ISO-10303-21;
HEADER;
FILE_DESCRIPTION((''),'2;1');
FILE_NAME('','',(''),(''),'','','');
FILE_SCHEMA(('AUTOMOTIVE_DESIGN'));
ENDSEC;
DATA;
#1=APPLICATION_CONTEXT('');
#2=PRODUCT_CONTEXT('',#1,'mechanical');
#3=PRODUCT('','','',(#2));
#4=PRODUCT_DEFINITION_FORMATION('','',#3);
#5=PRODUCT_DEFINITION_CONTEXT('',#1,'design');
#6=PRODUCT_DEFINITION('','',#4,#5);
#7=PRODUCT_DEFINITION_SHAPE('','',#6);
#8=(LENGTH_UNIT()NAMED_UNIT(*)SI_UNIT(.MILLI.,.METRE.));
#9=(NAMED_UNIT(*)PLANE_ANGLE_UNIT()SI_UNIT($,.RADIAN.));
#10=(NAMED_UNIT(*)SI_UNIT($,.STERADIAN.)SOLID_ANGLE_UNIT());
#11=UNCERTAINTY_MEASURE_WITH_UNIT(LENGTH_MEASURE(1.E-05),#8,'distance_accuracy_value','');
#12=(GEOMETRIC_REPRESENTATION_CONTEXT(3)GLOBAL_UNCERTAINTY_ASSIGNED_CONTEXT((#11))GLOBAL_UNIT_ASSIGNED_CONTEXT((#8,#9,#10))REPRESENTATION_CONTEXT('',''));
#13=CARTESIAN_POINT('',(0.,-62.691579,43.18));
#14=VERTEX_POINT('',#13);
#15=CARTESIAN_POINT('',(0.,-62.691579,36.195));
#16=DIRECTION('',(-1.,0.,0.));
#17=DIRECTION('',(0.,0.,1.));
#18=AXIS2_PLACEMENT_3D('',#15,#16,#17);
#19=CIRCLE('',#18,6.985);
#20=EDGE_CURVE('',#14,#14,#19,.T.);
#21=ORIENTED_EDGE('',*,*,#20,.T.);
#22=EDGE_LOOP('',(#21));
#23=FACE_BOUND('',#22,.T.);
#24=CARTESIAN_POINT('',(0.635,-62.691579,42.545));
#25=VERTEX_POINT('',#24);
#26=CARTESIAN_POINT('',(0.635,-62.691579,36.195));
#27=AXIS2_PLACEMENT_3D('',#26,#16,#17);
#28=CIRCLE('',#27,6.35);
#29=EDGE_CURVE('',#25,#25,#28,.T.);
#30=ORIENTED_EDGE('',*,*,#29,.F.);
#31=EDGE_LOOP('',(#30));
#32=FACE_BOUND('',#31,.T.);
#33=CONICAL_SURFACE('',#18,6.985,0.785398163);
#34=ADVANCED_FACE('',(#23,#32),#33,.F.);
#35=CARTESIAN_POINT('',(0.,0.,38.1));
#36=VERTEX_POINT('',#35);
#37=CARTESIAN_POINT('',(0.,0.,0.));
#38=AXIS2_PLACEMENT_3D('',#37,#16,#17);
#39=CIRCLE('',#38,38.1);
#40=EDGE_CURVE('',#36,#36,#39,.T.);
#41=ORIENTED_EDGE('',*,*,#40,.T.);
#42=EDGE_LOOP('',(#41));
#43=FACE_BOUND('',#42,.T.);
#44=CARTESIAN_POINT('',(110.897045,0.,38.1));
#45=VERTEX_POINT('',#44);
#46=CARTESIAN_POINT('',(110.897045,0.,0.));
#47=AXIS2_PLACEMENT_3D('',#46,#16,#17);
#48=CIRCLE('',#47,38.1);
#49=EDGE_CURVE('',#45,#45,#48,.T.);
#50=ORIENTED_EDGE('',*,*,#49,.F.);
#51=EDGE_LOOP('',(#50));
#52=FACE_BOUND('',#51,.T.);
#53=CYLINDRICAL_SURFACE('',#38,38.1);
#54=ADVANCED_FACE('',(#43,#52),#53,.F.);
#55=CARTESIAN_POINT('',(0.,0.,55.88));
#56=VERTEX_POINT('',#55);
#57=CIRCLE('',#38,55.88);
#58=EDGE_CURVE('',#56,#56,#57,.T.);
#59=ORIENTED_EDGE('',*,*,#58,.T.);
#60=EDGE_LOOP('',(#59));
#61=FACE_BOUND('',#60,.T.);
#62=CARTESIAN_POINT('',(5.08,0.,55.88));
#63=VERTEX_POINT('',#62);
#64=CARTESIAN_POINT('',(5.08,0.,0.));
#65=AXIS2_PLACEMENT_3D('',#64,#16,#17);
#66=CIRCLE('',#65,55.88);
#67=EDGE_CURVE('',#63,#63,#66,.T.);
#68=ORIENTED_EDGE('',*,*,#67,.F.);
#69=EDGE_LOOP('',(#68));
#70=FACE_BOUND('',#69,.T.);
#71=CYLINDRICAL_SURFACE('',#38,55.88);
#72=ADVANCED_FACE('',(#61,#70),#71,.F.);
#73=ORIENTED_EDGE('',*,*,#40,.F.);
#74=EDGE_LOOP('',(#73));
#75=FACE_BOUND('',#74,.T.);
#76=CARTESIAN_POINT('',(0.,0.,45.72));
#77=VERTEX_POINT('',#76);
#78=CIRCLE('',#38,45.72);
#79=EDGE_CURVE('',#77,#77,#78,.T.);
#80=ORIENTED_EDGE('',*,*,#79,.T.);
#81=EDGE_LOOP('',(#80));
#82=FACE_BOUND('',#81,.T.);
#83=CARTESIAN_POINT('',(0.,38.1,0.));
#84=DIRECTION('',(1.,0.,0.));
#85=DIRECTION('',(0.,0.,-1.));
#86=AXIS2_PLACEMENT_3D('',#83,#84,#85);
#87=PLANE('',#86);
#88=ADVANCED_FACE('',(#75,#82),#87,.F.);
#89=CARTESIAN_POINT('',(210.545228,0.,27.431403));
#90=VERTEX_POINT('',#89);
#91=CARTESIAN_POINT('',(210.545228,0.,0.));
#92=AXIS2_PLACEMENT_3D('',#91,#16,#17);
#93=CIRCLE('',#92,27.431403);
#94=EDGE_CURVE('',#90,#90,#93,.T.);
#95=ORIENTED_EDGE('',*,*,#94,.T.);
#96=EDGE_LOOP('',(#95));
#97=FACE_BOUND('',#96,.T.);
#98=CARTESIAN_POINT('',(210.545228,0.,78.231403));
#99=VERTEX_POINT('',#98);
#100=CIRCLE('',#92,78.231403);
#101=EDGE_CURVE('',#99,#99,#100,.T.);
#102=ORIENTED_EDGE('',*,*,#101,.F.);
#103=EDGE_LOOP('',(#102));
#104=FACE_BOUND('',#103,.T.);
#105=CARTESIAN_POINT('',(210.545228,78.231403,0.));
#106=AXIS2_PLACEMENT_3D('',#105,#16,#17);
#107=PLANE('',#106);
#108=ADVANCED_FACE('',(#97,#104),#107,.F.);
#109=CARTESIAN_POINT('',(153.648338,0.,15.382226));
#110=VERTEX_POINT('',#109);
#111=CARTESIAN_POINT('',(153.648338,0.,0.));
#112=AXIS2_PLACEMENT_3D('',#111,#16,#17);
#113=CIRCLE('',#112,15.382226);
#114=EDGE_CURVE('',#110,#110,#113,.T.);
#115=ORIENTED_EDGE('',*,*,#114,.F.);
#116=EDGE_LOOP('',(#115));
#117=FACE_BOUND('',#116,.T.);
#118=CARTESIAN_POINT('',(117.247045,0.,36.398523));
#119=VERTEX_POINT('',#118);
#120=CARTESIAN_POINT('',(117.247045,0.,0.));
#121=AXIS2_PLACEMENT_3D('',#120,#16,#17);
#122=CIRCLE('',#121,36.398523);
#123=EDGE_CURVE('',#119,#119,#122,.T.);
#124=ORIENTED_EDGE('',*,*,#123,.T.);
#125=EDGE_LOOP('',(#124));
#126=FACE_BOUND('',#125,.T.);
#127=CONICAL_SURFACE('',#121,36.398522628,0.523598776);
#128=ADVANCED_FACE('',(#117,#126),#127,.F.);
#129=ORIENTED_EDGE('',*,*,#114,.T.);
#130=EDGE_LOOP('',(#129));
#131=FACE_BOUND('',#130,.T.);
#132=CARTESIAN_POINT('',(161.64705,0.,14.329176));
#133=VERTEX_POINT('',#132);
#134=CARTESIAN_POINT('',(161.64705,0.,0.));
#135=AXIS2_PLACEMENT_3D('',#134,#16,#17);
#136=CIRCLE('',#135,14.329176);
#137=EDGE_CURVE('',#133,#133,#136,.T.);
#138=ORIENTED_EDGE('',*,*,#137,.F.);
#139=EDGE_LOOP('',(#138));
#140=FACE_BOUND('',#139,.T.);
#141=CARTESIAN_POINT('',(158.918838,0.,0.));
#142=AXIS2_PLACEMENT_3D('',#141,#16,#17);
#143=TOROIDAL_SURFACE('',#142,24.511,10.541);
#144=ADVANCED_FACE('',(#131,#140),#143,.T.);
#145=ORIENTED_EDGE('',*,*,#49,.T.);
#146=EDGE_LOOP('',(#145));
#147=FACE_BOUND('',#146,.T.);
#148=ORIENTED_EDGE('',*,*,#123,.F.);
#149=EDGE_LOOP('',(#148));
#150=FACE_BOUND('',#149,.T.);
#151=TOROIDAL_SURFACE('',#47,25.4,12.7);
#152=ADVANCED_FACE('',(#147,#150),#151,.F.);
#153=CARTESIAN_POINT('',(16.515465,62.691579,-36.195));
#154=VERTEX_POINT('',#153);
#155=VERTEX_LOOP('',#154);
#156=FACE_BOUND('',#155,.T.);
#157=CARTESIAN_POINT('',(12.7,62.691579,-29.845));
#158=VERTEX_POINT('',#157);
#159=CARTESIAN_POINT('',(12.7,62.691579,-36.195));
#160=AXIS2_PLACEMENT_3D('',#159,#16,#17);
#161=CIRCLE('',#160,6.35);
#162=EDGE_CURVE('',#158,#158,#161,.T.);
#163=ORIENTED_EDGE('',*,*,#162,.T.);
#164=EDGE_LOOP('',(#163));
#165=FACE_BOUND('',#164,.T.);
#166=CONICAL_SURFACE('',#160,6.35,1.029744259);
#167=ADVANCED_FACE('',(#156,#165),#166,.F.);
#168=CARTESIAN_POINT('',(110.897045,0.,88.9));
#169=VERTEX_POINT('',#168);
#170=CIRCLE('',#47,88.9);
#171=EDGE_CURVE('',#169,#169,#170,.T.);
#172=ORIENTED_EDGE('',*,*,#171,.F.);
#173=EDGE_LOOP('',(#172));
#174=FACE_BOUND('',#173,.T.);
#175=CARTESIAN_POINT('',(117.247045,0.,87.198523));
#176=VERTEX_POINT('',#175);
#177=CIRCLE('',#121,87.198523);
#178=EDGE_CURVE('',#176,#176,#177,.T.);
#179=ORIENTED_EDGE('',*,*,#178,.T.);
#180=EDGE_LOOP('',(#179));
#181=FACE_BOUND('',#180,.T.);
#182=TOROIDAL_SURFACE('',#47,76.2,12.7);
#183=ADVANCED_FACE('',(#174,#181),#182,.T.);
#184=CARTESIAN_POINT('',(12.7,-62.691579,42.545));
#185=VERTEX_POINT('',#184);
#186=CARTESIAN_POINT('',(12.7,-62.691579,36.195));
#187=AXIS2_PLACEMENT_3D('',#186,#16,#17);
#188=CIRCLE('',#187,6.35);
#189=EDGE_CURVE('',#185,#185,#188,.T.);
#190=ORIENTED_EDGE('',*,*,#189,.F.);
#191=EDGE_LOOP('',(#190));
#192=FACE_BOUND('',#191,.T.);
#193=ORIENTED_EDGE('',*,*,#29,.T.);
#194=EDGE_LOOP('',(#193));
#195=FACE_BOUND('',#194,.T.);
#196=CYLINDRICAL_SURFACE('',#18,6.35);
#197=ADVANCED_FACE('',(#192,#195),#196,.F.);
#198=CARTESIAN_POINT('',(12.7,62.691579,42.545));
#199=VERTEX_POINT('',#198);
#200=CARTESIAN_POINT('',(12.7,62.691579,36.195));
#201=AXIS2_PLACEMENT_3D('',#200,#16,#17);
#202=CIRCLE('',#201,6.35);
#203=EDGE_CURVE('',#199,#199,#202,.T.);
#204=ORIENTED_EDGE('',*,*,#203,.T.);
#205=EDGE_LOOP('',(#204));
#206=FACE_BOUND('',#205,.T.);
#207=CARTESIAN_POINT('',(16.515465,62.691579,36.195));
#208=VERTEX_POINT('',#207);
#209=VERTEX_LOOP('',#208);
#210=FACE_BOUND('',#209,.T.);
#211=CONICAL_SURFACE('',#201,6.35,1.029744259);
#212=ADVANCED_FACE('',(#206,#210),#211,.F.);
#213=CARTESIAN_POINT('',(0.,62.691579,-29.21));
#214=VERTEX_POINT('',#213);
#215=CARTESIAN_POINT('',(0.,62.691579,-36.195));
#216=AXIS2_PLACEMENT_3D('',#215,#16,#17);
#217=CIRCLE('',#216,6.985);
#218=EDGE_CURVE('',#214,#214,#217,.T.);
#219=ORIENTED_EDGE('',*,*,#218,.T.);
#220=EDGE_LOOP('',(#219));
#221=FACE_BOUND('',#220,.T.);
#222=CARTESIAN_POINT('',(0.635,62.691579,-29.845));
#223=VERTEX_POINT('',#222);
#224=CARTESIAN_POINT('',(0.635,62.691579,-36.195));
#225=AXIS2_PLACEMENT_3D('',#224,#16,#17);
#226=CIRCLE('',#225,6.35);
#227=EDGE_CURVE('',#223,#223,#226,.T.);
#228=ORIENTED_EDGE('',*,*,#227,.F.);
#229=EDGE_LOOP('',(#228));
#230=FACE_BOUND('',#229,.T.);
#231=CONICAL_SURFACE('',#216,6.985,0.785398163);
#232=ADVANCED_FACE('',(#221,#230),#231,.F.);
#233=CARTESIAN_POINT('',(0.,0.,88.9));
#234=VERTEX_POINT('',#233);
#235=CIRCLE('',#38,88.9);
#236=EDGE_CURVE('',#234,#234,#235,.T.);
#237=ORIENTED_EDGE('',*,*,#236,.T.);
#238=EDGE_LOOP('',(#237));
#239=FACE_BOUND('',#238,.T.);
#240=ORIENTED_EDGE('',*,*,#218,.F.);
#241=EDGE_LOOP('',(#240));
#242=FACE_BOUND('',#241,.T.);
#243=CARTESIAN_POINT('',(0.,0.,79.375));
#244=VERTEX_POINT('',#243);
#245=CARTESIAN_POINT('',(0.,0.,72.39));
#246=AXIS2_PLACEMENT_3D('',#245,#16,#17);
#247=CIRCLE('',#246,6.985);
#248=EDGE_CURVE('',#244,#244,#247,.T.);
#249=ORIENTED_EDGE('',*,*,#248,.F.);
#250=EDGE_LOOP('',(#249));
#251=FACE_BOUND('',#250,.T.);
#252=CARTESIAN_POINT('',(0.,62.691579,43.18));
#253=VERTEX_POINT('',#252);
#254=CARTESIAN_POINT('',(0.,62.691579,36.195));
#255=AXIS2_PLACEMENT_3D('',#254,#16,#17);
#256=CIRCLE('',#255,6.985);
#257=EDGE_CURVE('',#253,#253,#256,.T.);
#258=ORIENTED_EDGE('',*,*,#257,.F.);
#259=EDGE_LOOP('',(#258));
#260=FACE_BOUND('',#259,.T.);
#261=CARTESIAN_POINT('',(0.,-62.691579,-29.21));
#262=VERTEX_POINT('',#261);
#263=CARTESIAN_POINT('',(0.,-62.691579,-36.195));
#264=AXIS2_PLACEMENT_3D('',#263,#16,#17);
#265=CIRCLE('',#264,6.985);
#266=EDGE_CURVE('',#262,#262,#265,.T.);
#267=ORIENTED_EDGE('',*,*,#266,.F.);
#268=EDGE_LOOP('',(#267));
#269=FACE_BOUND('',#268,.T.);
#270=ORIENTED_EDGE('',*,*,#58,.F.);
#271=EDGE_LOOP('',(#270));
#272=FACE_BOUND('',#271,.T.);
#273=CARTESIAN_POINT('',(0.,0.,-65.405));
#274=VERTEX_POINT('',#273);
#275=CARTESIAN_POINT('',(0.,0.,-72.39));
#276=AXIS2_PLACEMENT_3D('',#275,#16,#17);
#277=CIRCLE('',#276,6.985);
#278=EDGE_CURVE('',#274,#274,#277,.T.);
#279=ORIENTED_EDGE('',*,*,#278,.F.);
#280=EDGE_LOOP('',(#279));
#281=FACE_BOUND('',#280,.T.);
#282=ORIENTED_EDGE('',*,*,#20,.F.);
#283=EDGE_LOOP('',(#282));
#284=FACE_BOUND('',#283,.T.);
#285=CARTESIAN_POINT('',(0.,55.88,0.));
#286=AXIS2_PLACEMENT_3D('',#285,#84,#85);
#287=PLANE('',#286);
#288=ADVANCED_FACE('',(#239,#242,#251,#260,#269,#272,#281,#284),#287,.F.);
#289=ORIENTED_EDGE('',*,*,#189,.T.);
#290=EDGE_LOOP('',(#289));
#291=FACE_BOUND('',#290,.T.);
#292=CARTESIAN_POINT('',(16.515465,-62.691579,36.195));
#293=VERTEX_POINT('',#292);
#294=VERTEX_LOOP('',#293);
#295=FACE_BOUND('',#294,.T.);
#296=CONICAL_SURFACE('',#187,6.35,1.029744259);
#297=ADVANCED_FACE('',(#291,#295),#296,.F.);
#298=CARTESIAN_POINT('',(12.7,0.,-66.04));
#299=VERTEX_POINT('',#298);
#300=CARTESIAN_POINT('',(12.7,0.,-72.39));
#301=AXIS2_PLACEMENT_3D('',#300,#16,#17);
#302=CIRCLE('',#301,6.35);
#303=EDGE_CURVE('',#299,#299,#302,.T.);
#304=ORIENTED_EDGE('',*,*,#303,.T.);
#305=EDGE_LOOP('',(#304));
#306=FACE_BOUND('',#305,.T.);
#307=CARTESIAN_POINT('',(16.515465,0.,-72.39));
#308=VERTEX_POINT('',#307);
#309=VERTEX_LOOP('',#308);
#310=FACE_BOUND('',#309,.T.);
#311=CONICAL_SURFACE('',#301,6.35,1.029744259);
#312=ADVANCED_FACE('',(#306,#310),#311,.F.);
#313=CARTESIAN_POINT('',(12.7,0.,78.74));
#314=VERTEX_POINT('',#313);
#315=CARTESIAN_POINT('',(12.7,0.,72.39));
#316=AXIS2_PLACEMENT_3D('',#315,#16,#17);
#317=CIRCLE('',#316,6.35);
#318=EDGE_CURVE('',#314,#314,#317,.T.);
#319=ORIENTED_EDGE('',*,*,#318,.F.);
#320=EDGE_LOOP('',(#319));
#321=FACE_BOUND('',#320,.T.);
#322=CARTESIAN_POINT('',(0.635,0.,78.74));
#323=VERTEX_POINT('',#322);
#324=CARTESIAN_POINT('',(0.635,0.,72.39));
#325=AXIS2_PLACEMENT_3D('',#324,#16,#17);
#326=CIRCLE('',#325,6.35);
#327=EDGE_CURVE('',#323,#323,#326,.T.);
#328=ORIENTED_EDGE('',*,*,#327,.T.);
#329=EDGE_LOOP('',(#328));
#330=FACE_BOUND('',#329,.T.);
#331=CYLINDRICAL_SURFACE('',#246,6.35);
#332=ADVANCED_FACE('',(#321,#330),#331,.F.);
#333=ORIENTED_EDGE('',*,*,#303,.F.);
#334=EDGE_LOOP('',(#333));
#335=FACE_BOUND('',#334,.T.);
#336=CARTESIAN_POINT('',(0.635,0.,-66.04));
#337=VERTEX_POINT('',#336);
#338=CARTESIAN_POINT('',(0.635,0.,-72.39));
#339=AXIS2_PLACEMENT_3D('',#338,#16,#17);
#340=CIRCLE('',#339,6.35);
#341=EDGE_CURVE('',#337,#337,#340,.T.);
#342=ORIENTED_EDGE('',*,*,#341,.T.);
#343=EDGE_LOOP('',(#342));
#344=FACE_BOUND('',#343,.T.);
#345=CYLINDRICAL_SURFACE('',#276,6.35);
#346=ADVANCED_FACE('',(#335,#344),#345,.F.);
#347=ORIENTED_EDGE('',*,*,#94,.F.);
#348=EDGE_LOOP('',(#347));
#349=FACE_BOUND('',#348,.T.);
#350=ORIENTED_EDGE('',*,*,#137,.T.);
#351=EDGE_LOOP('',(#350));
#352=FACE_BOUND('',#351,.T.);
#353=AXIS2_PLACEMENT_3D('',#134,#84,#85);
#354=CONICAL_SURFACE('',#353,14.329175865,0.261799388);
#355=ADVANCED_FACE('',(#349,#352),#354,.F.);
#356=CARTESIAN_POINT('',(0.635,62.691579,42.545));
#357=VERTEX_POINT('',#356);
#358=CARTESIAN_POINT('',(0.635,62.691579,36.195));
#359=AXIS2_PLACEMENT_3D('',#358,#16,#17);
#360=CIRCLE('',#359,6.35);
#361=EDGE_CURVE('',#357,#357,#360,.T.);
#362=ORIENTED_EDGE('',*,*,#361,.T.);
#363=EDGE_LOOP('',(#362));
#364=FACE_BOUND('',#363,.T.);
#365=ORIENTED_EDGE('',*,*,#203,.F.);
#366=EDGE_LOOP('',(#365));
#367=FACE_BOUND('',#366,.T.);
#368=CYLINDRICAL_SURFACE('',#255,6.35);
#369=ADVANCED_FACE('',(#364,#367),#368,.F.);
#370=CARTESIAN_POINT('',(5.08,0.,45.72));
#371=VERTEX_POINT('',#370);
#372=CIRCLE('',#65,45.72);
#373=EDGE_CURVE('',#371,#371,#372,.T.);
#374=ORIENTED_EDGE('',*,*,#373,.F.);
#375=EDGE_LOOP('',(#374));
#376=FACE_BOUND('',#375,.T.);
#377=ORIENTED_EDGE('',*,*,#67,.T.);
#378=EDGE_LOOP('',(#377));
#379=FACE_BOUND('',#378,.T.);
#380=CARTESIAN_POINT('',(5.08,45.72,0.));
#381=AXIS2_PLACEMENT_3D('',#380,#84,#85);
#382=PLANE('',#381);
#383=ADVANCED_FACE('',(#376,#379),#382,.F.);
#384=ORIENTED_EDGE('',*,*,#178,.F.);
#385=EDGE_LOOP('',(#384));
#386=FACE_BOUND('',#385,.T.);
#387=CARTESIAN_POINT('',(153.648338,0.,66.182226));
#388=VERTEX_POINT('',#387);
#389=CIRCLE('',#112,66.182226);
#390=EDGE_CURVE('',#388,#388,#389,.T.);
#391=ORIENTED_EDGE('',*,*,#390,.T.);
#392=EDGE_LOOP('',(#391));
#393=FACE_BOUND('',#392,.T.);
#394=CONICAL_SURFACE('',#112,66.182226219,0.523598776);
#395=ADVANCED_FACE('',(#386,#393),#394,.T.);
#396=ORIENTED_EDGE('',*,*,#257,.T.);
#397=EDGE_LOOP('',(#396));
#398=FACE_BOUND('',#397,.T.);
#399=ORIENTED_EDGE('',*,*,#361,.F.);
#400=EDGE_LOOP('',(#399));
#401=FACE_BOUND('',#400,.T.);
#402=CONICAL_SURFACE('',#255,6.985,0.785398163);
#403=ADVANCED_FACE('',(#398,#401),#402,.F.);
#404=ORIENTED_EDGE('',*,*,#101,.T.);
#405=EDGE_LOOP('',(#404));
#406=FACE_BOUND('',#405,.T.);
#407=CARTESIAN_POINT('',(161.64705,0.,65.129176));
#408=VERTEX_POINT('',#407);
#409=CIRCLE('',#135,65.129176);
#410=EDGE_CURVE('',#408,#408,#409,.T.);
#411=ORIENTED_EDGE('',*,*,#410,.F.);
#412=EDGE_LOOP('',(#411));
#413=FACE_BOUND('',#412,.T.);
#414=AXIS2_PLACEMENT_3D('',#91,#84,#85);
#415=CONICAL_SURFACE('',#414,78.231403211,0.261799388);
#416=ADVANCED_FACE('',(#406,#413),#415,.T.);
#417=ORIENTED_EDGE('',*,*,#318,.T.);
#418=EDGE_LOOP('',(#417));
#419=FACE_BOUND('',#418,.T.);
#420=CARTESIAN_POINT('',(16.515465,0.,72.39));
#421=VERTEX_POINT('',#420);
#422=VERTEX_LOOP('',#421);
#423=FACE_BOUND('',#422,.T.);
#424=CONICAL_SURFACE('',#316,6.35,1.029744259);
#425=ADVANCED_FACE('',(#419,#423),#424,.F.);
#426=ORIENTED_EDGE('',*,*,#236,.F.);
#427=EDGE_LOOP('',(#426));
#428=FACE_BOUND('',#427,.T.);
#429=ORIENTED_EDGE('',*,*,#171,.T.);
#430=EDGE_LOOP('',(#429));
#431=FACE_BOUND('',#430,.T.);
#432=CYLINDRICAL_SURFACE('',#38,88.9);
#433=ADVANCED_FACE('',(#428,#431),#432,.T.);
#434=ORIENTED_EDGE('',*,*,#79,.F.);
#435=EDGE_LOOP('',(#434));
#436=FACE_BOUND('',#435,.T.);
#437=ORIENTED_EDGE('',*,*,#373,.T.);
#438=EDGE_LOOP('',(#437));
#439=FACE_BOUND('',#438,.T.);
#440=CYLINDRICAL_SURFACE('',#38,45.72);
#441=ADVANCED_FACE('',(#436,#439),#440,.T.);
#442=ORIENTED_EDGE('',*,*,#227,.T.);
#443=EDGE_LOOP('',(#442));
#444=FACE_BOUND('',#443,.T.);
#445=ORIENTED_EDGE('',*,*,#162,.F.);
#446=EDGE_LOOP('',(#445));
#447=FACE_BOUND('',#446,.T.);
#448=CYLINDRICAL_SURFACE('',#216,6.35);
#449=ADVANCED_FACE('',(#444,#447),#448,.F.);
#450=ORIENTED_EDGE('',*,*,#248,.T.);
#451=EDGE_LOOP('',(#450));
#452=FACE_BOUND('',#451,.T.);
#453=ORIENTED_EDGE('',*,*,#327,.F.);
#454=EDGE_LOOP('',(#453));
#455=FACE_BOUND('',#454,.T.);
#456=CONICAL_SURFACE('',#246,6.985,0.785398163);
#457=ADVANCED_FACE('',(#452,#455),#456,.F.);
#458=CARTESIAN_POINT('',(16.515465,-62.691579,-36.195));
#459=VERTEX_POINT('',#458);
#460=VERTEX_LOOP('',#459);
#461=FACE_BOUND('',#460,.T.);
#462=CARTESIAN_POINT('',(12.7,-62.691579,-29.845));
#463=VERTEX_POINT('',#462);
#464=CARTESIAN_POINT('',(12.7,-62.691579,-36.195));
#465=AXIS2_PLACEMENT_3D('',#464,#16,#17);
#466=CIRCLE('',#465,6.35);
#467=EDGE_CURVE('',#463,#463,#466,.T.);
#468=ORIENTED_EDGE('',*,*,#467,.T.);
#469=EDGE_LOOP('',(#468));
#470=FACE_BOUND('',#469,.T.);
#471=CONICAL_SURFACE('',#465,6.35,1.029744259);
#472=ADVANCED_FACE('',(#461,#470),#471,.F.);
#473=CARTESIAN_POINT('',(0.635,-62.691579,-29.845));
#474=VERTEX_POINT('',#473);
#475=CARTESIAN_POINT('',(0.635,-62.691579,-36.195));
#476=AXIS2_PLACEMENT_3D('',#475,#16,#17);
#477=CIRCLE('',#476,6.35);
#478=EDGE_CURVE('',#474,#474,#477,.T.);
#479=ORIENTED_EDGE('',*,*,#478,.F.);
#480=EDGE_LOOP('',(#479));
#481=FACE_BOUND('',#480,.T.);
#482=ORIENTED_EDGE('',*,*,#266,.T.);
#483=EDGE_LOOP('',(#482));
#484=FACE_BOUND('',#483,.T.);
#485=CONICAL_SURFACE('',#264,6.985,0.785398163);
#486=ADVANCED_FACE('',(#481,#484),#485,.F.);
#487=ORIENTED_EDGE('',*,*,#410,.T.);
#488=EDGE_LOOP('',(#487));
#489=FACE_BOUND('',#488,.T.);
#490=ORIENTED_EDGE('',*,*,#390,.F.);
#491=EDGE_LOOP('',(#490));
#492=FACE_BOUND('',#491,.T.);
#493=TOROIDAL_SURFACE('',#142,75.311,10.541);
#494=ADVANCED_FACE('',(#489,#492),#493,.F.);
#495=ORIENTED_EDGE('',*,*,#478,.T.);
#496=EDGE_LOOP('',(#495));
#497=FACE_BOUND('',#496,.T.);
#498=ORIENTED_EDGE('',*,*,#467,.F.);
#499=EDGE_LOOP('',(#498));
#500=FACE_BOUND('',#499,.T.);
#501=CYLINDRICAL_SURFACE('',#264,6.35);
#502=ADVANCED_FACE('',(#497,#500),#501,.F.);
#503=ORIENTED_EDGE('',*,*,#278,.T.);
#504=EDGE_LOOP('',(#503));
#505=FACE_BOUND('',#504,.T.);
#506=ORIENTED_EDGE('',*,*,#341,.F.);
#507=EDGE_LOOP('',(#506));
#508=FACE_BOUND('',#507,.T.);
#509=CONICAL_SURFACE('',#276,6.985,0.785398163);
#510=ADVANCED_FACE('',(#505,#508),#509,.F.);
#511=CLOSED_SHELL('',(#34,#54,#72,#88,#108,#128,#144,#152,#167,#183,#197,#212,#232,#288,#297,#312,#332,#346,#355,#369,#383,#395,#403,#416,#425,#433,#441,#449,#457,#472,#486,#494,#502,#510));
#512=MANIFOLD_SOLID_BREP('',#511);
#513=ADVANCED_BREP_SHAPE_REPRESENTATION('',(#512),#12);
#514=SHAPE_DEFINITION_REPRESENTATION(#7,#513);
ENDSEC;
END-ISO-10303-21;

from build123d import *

# Parameters (mm, degrees)
CIRPATTERN1_COUNT = 6


with BuildPart() as part:
    # chamberNozzle → Revolve1 (revolve)
    with BuildSketch(Plane.XY, mode=Mode.PRIVATE) as revolve1_sk:
        with BuildLine():
            Line((0, 38.1), (110.897045256, 38.1))
            ThreePointArc((110.897045256, 38.1), (114.184047129, 37.667257994), (117.247045256, 36.398522628))
            Line((117.247045256, 36.398522628), (153.648338424, 15.382226219))
            ThreePointArc((153.648338424, 15.382226219), (157.542961832, 14.060179716), (161.647049978, 14.329175865))
            Line((161.647049978, 14.329175865), (210.545228126, 27.431403211))
            Line((210.545228126, 27.431403211), (210.545228126, 78.231403211))
            Line((210.545228126, 78.231403211), (161.647049978, 65.129175865))
            ThreePointArc((161.647049978, 65.129175865), (157.542961832, 64.860179716), (153.648338424, 66.182226219))
            Line((153.648338424, 66.182226219), (117.247045256, 87.198522628))
            ThreePointArc((117.247045256, 87.198522628), (114.184047129, 88.467257994), (110.897045256, 88.9))
            Line((110.897045256, 88.9), (0, 88.9))
            Line((0, 88.9), (0, 55.88))
            Line((0, 55.88), (5.08, 55.88))
            Line((5.08, 55.88), (5.08, 45.72))
            Line((5.08, 45.72), (0, 45.72))
            Line((0, 45.72), (0, 38.1))
        make_face()
    revolve(revolve1_sk.sketch.rotate(Axis((0, 0, 0), (1, 0, 0)), 90), axis=Axis((0, 0, 0), (1, 0, 0)))

    # Sketch3 → 1/2 (0.5) Diameter Hole1 (revolve, cut)
    with BuildSketch(Plane(origin=(0, 0, -72.39), x_dir=(0, 0, 1), z_dir=(0, 1, 0))):
        Polygon((0, 0), (0, 16.515464931), (6.35, 12.7), (6.35, 0.635), (6.985, 0), align=None)
    f_1_2_0_5_diameter_hole1 = revolve(axis=Axis((-6.35, 0, -72.39), (1, 0, 0)), mode=Mode.SUBTRACT)

    # CirPattern1: 1/2 (0.5) Diameter Hole1 ×6 about axis
    cirpattern1_axis = Axis((0, 0, 0), (1, 0, 0))
    for i in range(1, CIRPATTERN1_COUNT):
        add(f_1_2_0_5_diameter_hole1.rotate(cirpattern1_axis, i * 360 / CIRPATTERN1_COUNT), mode=Mode.SUBTRACT)


solid = part.part
